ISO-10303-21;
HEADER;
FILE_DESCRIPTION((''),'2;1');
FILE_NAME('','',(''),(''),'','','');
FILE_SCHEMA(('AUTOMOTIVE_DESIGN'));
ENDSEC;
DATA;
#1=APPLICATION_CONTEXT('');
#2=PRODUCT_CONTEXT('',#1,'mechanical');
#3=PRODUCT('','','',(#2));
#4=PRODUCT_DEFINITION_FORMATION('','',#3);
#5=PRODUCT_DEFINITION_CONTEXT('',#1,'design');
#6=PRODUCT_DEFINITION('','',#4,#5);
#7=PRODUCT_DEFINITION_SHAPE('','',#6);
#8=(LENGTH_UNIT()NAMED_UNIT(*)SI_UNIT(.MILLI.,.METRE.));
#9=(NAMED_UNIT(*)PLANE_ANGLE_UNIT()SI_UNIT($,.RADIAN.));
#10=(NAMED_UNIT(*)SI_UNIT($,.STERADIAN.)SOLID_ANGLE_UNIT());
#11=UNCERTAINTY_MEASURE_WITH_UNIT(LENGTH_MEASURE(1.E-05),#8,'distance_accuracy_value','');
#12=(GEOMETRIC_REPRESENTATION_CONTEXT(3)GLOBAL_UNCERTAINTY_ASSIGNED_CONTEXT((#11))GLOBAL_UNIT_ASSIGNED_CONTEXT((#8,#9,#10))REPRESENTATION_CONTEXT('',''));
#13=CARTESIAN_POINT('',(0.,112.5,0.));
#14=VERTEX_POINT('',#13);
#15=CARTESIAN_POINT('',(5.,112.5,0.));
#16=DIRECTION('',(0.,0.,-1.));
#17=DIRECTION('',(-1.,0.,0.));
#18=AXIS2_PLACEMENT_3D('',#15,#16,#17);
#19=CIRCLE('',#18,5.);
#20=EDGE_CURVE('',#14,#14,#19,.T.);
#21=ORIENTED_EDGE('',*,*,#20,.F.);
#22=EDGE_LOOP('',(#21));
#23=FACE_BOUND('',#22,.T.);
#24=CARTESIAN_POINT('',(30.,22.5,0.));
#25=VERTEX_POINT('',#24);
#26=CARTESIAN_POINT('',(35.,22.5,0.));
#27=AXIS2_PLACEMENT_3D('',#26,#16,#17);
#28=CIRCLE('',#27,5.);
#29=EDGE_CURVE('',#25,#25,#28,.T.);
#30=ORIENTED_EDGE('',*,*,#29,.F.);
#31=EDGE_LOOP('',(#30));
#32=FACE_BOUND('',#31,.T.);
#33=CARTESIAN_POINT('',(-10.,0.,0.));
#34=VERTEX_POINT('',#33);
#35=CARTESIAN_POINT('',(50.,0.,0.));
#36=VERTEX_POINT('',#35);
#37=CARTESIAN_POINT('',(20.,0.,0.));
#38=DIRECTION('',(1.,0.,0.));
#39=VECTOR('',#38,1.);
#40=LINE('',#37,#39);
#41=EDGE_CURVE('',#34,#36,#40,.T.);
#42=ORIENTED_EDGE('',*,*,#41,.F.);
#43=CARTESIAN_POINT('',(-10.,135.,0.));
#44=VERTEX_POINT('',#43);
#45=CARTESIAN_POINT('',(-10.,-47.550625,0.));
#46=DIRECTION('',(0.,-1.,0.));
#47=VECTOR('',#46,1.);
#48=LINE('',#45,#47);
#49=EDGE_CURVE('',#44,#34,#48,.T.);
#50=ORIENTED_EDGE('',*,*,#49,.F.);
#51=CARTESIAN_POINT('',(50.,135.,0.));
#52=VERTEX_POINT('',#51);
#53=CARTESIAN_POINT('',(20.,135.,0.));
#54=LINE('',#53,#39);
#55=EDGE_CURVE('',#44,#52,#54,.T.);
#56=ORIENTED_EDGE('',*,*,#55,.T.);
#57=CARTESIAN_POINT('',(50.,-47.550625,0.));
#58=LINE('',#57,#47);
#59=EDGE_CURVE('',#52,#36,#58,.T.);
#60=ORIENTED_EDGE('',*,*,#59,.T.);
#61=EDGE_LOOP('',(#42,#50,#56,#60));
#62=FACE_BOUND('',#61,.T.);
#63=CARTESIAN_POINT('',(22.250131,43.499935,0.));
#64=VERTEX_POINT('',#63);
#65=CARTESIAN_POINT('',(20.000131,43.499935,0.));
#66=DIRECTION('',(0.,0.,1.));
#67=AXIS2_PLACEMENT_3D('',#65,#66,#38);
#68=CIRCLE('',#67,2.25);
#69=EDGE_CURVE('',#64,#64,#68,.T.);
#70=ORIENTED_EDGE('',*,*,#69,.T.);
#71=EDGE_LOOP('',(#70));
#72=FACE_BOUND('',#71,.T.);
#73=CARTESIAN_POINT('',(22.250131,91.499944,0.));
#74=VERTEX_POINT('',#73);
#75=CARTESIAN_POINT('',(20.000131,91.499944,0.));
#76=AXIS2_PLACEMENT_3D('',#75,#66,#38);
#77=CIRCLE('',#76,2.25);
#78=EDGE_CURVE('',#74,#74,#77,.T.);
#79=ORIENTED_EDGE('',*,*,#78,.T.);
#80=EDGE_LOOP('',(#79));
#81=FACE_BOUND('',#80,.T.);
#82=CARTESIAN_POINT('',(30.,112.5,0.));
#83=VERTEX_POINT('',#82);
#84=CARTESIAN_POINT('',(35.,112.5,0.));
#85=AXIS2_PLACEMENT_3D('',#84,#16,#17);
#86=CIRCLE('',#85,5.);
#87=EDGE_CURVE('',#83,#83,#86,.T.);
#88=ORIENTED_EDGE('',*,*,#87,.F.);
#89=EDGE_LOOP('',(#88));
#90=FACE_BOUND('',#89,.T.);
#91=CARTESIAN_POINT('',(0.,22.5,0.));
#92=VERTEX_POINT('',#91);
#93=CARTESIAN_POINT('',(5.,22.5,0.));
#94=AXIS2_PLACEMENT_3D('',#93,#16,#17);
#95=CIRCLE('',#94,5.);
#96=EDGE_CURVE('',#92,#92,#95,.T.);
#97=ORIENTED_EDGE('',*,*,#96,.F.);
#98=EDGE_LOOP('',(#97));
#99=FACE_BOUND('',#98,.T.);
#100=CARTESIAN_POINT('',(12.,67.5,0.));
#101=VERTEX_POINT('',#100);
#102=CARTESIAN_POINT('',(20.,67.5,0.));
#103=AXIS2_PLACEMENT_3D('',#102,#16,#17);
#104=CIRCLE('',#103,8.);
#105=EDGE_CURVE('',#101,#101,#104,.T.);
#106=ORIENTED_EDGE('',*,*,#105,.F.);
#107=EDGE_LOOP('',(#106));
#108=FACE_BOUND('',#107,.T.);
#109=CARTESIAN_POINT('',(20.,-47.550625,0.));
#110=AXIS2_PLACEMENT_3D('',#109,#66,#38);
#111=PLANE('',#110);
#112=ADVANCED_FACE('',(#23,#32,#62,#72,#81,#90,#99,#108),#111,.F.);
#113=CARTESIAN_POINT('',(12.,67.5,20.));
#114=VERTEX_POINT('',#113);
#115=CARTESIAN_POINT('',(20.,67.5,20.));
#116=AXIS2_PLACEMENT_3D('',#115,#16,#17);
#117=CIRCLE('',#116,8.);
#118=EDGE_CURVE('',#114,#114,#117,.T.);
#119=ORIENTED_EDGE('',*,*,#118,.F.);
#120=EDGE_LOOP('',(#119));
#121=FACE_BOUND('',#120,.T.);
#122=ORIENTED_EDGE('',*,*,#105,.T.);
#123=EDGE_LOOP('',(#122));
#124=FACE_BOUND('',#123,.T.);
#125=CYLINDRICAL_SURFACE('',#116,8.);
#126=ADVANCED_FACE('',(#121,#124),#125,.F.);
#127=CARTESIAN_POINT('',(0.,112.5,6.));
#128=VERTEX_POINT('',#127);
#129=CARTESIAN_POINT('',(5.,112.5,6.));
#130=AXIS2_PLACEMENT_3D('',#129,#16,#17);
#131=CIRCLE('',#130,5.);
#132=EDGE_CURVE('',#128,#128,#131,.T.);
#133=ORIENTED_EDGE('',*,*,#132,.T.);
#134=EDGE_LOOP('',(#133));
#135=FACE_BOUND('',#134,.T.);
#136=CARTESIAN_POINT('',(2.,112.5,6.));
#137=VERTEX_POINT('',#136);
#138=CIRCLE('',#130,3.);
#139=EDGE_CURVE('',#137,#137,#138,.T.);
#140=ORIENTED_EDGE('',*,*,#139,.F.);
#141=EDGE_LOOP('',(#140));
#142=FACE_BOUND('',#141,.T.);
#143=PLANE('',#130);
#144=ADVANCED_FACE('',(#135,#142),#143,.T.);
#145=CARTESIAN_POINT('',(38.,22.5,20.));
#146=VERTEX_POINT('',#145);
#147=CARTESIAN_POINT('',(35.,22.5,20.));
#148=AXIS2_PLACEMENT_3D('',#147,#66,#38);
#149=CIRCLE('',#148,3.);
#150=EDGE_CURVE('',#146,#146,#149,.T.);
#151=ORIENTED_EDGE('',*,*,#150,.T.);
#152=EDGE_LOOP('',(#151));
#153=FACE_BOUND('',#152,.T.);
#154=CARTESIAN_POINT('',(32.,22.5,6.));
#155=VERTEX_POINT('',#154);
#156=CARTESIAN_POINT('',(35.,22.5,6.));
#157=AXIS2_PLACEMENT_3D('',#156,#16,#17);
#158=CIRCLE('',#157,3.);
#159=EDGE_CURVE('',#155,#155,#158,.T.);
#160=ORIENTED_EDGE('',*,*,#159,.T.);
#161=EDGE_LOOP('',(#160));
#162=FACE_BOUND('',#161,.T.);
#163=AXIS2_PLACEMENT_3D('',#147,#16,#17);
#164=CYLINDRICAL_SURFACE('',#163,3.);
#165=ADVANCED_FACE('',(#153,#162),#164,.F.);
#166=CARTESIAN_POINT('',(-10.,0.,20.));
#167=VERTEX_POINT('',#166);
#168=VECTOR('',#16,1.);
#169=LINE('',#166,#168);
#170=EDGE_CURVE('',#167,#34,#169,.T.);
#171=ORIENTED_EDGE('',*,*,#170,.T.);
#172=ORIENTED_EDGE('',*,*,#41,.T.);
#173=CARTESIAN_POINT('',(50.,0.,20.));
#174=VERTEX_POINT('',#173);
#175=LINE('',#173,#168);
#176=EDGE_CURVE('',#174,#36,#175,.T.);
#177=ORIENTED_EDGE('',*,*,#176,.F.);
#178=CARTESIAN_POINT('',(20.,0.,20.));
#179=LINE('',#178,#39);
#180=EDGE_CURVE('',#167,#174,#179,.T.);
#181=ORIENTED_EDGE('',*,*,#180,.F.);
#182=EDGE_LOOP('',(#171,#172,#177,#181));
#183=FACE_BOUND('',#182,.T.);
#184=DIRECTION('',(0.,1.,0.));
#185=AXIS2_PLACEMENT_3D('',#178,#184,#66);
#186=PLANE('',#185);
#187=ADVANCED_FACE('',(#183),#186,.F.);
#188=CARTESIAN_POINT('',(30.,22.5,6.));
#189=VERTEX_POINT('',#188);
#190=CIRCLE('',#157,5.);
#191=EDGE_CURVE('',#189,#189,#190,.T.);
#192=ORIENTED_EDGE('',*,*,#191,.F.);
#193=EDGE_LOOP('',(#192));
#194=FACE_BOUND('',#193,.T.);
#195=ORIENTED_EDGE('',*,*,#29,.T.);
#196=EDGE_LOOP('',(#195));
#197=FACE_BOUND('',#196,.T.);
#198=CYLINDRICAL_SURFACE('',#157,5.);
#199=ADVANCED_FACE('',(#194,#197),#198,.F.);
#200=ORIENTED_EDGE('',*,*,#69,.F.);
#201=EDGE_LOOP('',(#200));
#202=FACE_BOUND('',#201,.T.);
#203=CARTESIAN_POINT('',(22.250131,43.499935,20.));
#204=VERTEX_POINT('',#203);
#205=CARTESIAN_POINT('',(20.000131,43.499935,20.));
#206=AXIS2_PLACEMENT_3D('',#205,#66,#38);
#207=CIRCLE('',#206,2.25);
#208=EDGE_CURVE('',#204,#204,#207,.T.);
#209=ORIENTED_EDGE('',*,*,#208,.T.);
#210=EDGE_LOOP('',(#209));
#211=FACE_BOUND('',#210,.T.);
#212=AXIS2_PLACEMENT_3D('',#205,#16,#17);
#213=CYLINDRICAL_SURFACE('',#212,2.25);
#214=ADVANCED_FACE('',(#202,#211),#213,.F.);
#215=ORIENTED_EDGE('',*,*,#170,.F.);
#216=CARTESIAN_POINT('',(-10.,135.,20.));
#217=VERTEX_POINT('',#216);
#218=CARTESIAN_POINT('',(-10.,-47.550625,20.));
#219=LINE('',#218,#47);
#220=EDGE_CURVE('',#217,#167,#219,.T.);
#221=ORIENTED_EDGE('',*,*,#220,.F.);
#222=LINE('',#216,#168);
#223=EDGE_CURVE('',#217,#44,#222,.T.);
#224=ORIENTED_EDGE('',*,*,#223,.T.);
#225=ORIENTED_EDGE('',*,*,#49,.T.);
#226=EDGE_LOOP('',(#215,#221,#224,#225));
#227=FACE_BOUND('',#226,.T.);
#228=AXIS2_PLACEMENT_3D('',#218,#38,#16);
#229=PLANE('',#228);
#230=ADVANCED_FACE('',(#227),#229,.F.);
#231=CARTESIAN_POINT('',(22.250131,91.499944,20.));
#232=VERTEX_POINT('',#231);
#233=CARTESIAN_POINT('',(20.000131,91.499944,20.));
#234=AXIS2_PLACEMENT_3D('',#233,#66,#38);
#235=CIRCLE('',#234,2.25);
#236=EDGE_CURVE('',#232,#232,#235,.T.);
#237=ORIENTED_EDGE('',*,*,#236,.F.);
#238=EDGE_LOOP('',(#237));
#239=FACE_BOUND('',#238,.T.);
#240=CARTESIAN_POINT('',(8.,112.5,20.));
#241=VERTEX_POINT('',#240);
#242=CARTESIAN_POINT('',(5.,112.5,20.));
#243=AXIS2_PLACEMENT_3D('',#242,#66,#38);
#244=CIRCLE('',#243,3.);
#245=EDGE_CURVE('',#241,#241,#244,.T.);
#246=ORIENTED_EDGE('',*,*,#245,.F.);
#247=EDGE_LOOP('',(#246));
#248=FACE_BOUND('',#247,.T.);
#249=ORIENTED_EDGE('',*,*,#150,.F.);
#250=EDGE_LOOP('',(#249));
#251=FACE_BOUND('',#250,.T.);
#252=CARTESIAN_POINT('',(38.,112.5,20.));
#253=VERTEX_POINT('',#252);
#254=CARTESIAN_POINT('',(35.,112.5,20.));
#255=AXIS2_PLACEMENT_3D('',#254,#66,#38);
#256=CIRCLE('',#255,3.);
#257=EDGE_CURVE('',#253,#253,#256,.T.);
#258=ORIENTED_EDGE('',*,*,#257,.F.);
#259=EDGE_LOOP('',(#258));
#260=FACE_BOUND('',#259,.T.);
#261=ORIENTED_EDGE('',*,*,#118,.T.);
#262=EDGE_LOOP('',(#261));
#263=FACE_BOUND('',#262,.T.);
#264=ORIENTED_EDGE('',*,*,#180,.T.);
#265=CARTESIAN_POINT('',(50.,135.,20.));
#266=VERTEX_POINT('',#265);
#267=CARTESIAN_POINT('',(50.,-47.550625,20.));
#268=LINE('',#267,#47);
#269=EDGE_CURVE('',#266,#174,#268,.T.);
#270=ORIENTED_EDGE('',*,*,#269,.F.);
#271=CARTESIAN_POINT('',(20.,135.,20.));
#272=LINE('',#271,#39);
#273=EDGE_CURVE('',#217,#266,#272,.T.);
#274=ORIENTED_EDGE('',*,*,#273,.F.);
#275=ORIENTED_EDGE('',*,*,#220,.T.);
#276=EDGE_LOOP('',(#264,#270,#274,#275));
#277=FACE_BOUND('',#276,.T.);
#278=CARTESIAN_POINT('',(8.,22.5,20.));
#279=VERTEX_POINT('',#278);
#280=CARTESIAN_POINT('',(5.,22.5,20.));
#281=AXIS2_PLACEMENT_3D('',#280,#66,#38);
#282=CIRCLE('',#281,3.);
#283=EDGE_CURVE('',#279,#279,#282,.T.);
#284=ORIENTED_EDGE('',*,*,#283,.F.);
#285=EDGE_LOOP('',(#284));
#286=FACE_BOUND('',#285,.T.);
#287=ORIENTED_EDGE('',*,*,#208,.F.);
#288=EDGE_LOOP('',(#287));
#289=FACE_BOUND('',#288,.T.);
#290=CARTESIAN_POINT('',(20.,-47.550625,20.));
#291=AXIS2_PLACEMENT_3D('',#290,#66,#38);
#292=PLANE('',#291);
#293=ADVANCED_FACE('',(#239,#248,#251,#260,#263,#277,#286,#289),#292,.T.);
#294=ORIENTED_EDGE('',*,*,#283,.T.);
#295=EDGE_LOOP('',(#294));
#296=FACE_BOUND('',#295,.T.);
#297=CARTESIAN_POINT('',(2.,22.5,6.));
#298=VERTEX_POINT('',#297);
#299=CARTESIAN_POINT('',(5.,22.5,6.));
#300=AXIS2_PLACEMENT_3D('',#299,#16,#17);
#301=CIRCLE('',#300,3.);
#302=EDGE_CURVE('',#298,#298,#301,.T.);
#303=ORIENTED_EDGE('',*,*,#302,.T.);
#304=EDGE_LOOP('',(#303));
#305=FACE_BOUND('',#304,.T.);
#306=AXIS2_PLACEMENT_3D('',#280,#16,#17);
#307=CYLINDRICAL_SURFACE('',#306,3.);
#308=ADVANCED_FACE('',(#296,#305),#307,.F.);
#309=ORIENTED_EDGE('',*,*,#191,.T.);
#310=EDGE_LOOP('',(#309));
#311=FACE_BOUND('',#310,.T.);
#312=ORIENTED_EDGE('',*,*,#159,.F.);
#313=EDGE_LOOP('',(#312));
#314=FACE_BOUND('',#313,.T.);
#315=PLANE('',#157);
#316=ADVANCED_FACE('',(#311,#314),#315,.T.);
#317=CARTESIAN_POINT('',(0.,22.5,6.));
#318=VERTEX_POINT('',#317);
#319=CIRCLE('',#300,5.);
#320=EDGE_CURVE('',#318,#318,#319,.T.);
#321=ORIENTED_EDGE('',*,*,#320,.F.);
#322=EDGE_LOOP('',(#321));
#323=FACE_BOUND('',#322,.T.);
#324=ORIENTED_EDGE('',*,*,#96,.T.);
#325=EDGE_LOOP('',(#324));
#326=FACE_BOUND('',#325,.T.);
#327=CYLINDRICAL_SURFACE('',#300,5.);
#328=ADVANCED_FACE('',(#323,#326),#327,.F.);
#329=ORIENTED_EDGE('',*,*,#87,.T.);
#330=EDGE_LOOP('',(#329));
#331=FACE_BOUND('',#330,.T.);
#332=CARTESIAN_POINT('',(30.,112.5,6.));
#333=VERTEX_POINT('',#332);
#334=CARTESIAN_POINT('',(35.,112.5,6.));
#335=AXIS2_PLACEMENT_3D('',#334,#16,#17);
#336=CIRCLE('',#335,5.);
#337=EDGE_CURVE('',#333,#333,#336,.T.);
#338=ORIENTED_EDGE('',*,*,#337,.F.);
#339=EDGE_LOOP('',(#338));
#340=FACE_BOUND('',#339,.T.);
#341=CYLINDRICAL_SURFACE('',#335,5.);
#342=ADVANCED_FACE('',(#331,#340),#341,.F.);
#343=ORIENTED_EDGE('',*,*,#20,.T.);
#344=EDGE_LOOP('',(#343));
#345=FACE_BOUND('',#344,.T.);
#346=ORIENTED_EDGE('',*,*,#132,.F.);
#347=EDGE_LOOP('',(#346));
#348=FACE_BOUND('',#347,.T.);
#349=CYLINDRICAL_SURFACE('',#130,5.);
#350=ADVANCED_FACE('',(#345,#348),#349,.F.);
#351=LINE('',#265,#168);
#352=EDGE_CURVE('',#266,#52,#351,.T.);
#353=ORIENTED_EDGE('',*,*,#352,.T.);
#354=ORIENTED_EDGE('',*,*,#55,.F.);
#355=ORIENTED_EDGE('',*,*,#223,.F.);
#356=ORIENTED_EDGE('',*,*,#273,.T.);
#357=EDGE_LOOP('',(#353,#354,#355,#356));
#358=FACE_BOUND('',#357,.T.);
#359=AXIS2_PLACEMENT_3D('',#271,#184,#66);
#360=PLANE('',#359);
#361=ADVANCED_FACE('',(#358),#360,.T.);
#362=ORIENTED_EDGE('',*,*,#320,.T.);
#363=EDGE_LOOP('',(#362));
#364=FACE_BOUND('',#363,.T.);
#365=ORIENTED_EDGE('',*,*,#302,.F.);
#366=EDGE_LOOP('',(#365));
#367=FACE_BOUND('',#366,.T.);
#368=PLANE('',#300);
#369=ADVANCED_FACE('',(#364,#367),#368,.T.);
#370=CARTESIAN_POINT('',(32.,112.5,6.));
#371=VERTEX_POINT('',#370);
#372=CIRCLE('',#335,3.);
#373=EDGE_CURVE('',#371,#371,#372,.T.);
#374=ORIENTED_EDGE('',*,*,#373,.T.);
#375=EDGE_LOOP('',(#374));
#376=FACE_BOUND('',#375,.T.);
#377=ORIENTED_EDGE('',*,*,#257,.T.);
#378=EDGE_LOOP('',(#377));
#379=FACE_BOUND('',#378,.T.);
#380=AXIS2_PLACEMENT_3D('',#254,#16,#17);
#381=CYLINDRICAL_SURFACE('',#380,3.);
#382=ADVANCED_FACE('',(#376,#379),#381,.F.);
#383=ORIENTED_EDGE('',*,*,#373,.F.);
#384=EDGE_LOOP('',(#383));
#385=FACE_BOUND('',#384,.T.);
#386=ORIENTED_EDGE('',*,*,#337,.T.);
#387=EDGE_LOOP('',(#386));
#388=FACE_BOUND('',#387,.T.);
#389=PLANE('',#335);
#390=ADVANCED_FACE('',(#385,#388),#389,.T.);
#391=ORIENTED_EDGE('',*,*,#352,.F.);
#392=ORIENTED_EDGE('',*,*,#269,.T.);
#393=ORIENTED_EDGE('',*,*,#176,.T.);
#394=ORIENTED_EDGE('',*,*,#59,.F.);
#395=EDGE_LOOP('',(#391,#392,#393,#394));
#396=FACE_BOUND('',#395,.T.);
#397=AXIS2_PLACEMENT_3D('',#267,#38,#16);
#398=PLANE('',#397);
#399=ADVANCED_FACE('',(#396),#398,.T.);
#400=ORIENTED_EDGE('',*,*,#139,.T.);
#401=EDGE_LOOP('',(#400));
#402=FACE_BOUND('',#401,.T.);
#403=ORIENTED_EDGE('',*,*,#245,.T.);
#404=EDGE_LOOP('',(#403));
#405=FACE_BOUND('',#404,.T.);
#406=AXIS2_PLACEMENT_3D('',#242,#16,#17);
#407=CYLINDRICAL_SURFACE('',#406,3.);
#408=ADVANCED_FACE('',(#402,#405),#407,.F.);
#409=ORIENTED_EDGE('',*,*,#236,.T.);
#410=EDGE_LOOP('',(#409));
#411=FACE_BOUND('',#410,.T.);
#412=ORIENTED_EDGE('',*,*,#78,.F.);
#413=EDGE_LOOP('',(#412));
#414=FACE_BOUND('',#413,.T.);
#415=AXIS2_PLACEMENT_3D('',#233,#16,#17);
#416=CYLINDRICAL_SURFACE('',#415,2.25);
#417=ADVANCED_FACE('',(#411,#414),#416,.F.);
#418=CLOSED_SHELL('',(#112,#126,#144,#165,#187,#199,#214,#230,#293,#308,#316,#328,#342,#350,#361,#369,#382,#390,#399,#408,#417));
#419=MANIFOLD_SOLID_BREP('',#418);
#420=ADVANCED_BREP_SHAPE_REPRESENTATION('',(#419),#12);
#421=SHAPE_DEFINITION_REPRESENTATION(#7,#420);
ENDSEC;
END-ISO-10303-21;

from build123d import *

# Parameters (mm, degrees)
SKETCH1_R          = 3
SKETCH1_R_2        = 2.25
EXTRUDE1_DEPTH     = 20
SKETCH2_R          = 5
CUT_EXTRUDE1_DEPTH = 6
SKETCH3_R          = 8
CUT_EXTRUDE2_DEPTH = 20
SKETCH4_W          = 10
SKETCH4_H          = 135
EXTRUDE2_DEPTH     = 20


with BuildPart() as part:
    # Sketch1 → Extrude1 (new body)
    with BuildSketch(Plane.XY):
        Polygon((5, 135), (0, 135), (-10, 135), (-10, 0), (0, 0), (40, 0), (50, 0), (50, 135), (40, 135), align=None)
        with Locations((5, 22.5)):
            Circle(SKETCH1_R, mode=Mode.SUBTRACT)
        with Locations((35, 22.5)):
            Circle(SKETCH1_R, mode=Mode.SUBTRACT)
        with Locations((20.000131027, 43.499934589)):
            Circle(SKETCH1_R_2, mode=Mode.SUBTRACT)
        with Locations((5, 112.5)):
            Circle(SKETCH1_R, mode=Mode.SUBTRACT)
        with Locations((20.000131027, 91.49994372)):
            Circle(SKETCH1_R_2, mode=Mode.SUBTRACT)
        with Locations((35, 112.5)):
            Circle(SKETCH1_R, mode=Mode.SUBTRACT)
    extrude(amount=EXTRUDE1_DEPTH)

    # Sketch2 → Cut-Extrude1 (cut)
    with BuildSketch(Plane(origin=(0, 0, 0), x_dir=(-1, 0, 0), z_dir=(0, 0, -1))):
        with Locations((-35, 112.5)):
            Circle(SKETCH2_R)
        with Locations((-5, 112.5)):
            Circle(SKETCH2_R)
        with Locations((-35, 22.5)):
            Circle(SKETCH2_R)
        with Locations((-5, 22.5)):
            Circle(SKETCH2_R)
    extrude(amount=-CUT_EXTRUDE1_DEPTH, mode=Mode.SUBTRACT)

    # Sketch3 → Cut-Extrude2 (cut)
    with BuildSketch(Plane(origin=(0, 0, 0), x_dir=(-1, 0, 0), z_dir=(0, 0, -1))):
        with Locations((-20, 67.5)):
            Circle(SKETCH3_R)
    extrude(amount=-CUT_EXTRUDE2_DEPTH, mode=Mode.SUBTRACT)

    # Sketch4 → Extrude2 (add)
    with BuildSketch(Plane(origin=(0, 0, 0), x_dir=(-1, 0, 0), z_dir=(0, 0, -1))):
        with Locations((-45, 67.5)):
            Rectangle(SKETCH4_W, SKETCH4_H)
        with Locations((5, 67.5)):
            Rectangle(SKETCH4_W, SKETCH4_H)
    extrude(amount=-EXTRUDE2_DEPTH)


solid = part.part
